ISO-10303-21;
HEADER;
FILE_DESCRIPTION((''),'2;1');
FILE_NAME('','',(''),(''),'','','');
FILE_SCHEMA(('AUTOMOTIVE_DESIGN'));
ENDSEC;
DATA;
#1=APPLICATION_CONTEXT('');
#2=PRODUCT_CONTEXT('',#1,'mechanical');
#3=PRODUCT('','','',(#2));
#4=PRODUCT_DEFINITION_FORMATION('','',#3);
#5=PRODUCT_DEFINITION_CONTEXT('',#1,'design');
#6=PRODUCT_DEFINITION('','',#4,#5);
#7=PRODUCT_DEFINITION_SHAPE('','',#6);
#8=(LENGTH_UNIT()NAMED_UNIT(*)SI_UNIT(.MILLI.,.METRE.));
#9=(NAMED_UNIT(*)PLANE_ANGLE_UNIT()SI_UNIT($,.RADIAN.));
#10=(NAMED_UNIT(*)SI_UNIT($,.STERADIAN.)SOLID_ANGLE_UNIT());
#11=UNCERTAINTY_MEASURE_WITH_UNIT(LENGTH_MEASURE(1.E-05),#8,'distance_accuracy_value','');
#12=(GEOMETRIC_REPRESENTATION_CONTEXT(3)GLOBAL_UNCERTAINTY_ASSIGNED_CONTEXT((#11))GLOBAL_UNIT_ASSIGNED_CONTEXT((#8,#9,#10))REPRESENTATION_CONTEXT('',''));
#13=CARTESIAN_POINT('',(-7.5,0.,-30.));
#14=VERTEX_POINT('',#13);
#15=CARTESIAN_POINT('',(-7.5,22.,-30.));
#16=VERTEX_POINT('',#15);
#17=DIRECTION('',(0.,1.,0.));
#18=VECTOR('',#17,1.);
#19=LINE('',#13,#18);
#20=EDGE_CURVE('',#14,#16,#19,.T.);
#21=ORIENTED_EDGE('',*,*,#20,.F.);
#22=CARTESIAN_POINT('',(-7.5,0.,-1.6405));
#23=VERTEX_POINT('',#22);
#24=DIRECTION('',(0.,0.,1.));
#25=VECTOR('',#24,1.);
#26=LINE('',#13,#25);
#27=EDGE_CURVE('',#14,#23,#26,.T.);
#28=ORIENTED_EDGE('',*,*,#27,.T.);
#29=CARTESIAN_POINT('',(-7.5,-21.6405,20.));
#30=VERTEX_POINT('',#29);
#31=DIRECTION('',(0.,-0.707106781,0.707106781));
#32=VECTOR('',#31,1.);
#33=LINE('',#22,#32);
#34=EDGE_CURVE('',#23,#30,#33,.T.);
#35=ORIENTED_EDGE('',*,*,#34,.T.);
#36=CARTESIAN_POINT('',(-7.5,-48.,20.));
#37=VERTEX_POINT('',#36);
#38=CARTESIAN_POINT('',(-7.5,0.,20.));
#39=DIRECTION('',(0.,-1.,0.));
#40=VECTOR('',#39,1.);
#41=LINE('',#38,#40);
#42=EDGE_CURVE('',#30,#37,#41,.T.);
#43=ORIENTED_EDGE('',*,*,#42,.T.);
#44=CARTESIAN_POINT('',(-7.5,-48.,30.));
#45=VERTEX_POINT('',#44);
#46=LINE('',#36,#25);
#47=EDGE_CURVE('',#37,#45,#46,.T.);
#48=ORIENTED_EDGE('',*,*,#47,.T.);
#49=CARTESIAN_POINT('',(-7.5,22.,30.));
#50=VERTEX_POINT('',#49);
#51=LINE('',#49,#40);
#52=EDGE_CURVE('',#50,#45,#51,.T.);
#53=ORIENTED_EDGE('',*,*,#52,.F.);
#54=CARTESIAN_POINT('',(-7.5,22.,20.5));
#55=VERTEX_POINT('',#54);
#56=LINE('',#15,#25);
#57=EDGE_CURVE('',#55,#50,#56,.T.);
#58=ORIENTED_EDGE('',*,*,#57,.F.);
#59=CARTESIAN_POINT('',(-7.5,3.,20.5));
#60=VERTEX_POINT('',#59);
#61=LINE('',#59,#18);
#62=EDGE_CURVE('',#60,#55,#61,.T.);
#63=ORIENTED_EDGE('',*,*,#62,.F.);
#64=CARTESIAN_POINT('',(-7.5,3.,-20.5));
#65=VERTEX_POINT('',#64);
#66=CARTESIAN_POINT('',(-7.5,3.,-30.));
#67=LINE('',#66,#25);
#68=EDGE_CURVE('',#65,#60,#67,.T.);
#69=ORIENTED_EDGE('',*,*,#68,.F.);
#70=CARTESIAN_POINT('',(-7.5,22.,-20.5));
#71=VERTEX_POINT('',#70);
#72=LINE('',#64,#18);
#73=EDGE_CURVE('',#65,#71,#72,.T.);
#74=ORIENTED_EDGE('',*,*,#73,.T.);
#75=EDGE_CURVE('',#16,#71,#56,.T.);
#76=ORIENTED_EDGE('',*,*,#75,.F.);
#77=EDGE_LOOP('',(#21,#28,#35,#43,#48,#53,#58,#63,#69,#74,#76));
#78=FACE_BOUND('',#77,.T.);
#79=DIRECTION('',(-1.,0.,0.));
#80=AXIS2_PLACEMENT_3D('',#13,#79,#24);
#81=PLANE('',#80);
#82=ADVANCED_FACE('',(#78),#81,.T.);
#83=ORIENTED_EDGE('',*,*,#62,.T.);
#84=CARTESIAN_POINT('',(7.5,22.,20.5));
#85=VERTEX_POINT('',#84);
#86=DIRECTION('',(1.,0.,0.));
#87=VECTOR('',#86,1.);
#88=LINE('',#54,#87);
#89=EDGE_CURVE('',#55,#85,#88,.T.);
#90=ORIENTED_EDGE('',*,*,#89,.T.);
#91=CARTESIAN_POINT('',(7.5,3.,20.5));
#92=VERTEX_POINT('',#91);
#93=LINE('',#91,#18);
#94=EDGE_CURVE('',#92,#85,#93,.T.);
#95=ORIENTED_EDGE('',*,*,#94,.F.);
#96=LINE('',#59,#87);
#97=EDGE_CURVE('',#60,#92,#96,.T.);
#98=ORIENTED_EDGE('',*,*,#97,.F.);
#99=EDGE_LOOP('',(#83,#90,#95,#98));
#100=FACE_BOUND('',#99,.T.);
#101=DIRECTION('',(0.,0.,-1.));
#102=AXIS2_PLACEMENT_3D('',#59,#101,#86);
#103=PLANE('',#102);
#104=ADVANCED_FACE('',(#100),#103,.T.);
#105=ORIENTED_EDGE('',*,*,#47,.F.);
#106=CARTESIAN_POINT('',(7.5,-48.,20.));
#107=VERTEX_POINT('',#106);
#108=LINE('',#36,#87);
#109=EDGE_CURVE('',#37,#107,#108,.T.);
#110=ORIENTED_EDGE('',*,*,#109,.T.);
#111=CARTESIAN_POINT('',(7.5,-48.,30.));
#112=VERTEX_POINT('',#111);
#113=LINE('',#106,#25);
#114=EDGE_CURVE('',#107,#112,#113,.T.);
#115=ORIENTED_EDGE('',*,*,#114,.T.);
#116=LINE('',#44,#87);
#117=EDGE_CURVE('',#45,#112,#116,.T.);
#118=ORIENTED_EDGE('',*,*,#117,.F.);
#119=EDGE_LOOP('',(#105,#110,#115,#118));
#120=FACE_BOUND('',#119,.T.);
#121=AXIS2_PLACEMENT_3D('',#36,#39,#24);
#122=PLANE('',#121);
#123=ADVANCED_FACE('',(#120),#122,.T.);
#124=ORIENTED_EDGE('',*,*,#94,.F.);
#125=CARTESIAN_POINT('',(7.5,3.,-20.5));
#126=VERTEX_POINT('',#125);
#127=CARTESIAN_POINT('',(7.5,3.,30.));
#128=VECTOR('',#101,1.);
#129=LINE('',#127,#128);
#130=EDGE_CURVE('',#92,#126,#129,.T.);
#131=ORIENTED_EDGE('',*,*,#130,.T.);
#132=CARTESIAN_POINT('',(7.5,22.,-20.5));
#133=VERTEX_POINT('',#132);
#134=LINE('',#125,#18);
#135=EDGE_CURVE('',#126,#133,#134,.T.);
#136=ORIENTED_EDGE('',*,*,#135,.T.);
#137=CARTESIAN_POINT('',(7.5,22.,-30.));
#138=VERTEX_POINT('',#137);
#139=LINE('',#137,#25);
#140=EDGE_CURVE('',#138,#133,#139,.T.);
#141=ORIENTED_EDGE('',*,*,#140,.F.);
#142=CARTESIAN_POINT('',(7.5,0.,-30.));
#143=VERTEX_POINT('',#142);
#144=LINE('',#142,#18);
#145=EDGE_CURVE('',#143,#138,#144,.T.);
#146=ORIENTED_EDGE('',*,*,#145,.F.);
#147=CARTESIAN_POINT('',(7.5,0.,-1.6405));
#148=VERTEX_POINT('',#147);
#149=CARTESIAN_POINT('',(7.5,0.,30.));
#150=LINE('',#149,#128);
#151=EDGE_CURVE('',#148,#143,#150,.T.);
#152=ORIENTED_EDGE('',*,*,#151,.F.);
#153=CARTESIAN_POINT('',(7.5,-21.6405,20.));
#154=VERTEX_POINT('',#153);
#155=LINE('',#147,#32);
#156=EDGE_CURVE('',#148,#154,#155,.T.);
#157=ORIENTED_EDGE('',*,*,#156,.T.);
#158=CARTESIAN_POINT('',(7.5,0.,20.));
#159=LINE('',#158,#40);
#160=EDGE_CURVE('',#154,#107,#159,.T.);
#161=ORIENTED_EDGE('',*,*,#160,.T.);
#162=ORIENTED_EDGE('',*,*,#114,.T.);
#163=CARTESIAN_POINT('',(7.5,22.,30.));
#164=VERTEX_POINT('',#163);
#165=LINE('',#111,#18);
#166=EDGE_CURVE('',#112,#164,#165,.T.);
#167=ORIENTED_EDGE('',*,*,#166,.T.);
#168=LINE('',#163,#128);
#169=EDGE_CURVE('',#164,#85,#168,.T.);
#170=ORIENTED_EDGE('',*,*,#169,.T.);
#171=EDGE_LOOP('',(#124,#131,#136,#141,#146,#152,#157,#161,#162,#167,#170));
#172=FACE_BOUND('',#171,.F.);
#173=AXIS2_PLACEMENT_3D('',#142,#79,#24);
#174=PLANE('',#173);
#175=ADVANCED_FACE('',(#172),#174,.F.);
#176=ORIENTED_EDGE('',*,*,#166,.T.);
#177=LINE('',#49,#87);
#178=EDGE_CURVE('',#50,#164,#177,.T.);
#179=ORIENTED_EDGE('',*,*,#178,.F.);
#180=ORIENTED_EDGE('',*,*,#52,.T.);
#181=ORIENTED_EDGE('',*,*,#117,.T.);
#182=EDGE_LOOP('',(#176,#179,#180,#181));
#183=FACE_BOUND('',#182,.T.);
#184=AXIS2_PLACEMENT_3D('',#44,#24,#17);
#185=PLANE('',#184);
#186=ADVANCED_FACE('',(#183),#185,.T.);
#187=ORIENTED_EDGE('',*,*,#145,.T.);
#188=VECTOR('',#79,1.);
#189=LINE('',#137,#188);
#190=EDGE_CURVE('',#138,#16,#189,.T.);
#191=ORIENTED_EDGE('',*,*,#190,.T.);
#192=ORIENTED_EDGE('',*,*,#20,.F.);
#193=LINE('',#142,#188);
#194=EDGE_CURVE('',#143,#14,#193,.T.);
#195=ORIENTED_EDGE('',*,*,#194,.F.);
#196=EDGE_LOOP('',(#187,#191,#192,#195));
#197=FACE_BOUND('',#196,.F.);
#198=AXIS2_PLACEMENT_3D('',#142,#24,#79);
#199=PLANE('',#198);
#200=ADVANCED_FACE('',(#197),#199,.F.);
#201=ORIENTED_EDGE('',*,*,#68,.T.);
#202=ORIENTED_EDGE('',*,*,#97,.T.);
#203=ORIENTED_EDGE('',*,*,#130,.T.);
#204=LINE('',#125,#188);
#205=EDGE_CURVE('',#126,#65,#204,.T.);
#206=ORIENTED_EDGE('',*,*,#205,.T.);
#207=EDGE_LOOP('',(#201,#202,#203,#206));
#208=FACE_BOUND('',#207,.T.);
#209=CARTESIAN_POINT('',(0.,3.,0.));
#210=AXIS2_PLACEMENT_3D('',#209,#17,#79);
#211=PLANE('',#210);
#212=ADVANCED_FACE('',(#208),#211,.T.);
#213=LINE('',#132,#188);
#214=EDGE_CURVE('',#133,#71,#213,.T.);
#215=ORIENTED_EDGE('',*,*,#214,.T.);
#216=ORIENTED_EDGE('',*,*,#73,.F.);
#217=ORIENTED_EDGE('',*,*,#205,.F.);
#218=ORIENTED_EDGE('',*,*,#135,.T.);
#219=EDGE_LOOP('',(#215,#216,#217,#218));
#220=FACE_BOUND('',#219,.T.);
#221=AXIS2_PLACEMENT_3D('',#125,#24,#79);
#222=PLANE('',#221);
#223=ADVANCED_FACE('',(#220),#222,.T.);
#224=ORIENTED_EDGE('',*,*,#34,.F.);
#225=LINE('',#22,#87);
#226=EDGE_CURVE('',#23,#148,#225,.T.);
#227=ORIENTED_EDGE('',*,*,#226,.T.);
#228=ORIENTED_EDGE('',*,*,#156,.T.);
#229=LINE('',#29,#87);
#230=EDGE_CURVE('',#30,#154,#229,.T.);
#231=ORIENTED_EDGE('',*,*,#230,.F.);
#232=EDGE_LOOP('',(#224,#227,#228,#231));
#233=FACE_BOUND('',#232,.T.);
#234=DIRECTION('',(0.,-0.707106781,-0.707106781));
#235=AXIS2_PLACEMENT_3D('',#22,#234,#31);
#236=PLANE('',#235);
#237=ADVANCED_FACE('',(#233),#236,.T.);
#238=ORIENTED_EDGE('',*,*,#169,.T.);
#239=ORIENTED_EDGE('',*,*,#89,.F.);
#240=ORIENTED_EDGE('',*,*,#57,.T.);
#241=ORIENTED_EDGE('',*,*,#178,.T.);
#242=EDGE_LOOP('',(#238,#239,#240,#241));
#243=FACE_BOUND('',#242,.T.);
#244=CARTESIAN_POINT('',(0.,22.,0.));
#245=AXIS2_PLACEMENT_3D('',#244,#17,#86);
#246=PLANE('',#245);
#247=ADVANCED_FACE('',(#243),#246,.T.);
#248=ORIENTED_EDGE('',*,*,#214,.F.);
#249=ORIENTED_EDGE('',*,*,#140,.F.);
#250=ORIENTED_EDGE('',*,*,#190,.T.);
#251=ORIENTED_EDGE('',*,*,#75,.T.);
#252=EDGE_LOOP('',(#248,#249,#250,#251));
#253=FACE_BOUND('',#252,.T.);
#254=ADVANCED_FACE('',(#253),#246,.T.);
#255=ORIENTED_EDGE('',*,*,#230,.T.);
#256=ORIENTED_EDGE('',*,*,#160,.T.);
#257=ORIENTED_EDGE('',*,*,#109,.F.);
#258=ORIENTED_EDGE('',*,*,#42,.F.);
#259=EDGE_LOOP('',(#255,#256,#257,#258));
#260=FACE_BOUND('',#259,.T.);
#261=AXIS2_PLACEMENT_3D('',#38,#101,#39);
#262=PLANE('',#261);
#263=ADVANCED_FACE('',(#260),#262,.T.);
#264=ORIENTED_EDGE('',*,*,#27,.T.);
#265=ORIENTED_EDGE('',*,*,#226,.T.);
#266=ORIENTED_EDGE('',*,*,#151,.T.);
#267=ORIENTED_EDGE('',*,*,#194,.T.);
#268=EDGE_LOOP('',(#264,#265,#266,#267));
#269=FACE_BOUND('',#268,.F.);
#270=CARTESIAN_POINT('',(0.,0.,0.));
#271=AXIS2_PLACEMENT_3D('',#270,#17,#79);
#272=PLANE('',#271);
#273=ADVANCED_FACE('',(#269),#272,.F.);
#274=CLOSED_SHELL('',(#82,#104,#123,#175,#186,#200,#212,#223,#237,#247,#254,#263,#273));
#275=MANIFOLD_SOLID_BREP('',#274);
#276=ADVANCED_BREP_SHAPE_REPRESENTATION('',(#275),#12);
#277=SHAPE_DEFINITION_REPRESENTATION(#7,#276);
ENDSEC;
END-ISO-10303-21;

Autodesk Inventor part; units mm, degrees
ref_plane "YZ Plane" through (0, 0, 0) normal (1, 0, 0) x (0, 1, 0)
ref_plane "XZ Plane" through (0, 0, 0) normal (0, 1, 0) x (-1, 0, 0)
ref_plane "XY Plane" through (0, 0, 0) normal (0, 0, 1) x (1, 0, 0)
sketch "Sketch1" plane through (0, 0, 0) normal (0, 1, 0) x (-1, 0, 0)
  line L0 (-7.5, -30) -> (7.5, -30)
  line L1 (7.5, -30) -> (7.5, 30)
  line L2 (7.5, 30) -> (-7.5, 30)
  line L3 (-7.5, 30) -> (-7.5, -30)
  line L4 (-7.5, -30) -> (7.5, 30) construction
  line L5 (7.5, -30) -> (-7.5, 30) construction
  point P0 (0, 0)
  dimension "d0" = 15
  dimension "d1" = 60
extrude "Extrusion1" add sketch "Sketch1" along normal blind 3
sketch "Sketch2" plane through (0, 3, 0) normal (0, 1, 0) x (1, 0, 0)
  line L0 (-7.5, 30) -> (-7.5, -30) projected
  line L1 (7.5, 20.5) -> (-7.5, 20.5)
  line L2 (-7.5, 20.5) -> (-7.5, -20.5)
  line L3 (-7.5, -20.5) -> (7.5, -20.5)
  line L4 (7.5, -20.5) -> (7.5, 20.5)
  line L5 (7.5, 20.5) -> (-7.5, -20.5) construction
  line L6 (-7.5, 20.5) -> (7.5, -20.5) construction
  line L7 (7.5, -20.5) -> (-7.5, -20.5)
  line L8 (-7.5, -20.5) -> (-7.5, -30)
  line L9 (-7.5, -30) -> (7.5, -30)
  line L10 (7.5, -30) -> (7.5, -20.5)
  line L11 (7.5, 30) -> (-7.5, 30) projected
  line L12 (7.5, 20.5) -> (-7.5, 20.5)
  line L13 (-7.5, 20.5) -> (-7.5, 30)
  line L14 (-7.5, 30) -> (7.5, 30)
  line L15 (7.5, 30) -> (7.5, 20.5)
  point P0 (0, 0)
  dimension "d4" = 41
extrude "Extrusion2" add sketch "Sketch2" along normal blind 19 contours L11 L15 L1 L0 | L3 L10 L9 L0
sketch "Sketch3" plane through (-7.5, 0, -30) normal (-1, 0, 0) x (0, 0, 1)
  line L0 (60, 0) -> (0, 0) projected
  line L1 (60, 0) -> (50, 0)
  line L2 (50, 0) -> (50, -48)
  line L3 (50, -48) -> (60, -48)
  line L4 (60, -48) -> (60, 0)
  point P0 (30, 0)
  dimension "d7" = 10
  dimension "d8" = 48
extrude "Extrusion3" add sketch "Sketch3" against normal blind 15
sketch "Sketch5" plane through (-7.5, 0, -30) normal (-1, 0, 0) x (0, 0, 1)
  line L0 (0, 0) -> (50, 0) projected
  line L1 (28.3595, 0) -> (50, -21.6405)
  line L2 (50, -48) -> (50, 0) projected
  line L3 (28.3595, 0) -> (58.9638, 0) construction
  line L4 (50, -21.6405) -> (50, 0)
  line L5 (50, 0) -> (28.3595, 0)
  point P0 (30, 0)
  dimension "d15" = 45
extrude "Extrusion5" add sketch "Sketch5" against normal blind 15
properties part number "ServoSupport" material "PC/ABS Plastic"
